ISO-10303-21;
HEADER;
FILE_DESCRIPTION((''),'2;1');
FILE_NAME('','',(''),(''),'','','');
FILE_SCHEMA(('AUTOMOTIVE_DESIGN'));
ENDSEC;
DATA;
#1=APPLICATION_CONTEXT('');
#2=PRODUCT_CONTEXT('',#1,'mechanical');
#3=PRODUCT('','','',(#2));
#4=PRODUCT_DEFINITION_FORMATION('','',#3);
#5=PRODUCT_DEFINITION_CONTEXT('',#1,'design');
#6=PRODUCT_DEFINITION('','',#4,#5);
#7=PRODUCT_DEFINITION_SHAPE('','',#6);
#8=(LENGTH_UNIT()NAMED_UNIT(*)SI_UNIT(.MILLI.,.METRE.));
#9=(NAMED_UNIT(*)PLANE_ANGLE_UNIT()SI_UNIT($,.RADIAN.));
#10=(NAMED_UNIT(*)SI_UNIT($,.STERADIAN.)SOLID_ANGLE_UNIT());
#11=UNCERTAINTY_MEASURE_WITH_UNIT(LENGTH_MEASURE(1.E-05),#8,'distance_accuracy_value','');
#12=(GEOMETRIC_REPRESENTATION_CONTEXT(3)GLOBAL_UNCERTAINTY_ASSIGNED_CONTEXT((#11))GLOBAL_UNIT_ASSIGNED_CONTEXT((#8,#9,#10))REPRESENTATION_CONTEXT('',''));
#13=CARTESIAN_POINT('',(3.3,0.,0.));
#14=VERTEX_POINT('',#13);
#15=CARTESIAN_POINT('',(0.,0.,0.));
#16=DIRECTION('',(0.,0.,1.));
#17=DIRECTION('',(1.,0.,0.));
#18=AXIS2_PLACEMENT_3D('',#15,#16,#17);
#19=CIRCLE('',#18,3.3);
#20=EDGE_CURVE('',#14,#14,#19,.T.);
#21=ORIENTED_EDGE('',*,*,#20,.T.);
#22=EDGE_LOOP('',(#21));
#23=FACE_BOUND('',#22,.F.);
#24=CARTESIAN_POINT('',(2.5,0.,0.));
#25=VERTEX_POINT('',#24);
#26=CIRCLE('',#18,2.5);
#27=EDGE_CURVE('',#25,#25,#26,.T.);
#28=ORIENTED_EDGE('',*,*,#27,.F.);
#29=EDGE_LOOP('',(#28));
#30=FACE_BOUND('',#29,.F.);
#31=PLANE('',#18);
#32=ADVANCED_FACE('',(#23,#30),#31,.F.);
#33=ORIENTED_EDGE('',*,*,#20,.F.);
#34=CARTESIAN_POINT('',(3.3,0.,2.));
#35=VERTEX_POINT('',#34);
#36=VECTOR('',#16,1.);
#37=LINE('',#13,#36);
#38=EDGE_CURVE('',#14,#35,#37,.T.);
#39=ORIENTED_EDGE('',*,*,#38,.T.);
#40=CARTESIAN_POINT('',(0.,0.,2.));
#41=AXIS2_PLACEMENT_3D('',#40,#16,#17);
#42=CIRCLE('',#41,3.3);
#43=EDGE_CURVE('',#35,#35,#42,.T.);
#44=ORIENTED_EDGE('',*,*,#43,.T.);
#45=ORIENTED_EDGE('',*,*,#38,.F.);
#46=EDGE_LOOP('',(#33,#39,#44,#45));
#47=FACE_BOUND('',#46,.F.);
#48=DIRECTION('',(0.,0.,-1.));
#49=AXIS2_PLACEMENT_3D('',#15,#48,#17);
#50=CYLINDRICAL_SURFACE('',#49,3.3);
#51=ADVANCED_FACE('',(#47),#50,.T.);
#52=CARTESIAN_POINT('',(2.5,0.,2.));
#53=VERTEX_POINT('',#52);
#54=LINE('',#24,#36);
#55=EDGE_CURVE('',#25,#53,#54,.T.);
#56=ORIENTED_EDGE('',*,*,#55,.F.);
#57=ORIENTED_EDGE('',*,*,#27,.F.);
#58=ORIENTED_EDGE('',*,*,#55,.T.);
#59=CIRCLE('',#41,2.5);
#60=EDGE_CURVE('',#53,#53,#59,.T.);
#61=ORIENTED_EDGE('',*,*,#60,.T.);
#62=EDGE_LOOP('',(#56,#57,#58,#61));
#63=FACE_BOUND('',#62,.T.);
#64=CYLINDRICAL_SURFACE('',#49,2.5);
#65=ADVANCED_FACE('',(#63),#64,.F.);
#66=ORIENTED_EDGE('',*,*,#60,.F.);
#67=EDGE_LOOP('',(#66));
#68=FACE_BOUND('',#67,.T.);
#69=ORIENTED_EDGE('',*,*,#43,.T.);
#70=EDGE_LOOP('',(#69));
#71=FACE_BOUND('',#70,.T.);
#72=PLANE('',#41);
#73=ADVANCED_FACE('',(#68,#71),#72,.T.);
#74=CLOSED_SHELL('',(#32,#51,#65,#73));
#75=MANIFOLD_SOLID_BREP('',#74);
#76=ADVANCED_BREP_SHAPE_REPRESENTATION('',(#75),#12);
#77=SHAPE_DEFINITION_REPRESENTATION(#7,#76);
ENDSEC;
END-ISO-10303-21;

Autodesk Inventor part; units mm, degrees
ref_plane "YZ Plane" through (0, 0, 0) normal (1, 0, 0) x (0, 1, 0)
ref_plane "XZ Plane" through (0, 0, 0) normal (0, 1, 0) x (-1, 0, 0)
ref_plane "XY Plane" through (0, 0, 0) normal (0, 0, 1) x (1, 0, 0)
sketch "Sketch1" plane through (0, 0, 0) normal (0, 0, 1) x (1, 0, 0)
  circle A0 centre (0, 0) radius 2.5
  circle A1 centre (0, 0) radius 3.3
  dimension "d0" = 6.6
  dimension "d1" = 5
extrude "Extrusion1" add sketch "Sketch1" along normal blind 2
properties part number "17HS15-1504S-X1ShaftPlate"
